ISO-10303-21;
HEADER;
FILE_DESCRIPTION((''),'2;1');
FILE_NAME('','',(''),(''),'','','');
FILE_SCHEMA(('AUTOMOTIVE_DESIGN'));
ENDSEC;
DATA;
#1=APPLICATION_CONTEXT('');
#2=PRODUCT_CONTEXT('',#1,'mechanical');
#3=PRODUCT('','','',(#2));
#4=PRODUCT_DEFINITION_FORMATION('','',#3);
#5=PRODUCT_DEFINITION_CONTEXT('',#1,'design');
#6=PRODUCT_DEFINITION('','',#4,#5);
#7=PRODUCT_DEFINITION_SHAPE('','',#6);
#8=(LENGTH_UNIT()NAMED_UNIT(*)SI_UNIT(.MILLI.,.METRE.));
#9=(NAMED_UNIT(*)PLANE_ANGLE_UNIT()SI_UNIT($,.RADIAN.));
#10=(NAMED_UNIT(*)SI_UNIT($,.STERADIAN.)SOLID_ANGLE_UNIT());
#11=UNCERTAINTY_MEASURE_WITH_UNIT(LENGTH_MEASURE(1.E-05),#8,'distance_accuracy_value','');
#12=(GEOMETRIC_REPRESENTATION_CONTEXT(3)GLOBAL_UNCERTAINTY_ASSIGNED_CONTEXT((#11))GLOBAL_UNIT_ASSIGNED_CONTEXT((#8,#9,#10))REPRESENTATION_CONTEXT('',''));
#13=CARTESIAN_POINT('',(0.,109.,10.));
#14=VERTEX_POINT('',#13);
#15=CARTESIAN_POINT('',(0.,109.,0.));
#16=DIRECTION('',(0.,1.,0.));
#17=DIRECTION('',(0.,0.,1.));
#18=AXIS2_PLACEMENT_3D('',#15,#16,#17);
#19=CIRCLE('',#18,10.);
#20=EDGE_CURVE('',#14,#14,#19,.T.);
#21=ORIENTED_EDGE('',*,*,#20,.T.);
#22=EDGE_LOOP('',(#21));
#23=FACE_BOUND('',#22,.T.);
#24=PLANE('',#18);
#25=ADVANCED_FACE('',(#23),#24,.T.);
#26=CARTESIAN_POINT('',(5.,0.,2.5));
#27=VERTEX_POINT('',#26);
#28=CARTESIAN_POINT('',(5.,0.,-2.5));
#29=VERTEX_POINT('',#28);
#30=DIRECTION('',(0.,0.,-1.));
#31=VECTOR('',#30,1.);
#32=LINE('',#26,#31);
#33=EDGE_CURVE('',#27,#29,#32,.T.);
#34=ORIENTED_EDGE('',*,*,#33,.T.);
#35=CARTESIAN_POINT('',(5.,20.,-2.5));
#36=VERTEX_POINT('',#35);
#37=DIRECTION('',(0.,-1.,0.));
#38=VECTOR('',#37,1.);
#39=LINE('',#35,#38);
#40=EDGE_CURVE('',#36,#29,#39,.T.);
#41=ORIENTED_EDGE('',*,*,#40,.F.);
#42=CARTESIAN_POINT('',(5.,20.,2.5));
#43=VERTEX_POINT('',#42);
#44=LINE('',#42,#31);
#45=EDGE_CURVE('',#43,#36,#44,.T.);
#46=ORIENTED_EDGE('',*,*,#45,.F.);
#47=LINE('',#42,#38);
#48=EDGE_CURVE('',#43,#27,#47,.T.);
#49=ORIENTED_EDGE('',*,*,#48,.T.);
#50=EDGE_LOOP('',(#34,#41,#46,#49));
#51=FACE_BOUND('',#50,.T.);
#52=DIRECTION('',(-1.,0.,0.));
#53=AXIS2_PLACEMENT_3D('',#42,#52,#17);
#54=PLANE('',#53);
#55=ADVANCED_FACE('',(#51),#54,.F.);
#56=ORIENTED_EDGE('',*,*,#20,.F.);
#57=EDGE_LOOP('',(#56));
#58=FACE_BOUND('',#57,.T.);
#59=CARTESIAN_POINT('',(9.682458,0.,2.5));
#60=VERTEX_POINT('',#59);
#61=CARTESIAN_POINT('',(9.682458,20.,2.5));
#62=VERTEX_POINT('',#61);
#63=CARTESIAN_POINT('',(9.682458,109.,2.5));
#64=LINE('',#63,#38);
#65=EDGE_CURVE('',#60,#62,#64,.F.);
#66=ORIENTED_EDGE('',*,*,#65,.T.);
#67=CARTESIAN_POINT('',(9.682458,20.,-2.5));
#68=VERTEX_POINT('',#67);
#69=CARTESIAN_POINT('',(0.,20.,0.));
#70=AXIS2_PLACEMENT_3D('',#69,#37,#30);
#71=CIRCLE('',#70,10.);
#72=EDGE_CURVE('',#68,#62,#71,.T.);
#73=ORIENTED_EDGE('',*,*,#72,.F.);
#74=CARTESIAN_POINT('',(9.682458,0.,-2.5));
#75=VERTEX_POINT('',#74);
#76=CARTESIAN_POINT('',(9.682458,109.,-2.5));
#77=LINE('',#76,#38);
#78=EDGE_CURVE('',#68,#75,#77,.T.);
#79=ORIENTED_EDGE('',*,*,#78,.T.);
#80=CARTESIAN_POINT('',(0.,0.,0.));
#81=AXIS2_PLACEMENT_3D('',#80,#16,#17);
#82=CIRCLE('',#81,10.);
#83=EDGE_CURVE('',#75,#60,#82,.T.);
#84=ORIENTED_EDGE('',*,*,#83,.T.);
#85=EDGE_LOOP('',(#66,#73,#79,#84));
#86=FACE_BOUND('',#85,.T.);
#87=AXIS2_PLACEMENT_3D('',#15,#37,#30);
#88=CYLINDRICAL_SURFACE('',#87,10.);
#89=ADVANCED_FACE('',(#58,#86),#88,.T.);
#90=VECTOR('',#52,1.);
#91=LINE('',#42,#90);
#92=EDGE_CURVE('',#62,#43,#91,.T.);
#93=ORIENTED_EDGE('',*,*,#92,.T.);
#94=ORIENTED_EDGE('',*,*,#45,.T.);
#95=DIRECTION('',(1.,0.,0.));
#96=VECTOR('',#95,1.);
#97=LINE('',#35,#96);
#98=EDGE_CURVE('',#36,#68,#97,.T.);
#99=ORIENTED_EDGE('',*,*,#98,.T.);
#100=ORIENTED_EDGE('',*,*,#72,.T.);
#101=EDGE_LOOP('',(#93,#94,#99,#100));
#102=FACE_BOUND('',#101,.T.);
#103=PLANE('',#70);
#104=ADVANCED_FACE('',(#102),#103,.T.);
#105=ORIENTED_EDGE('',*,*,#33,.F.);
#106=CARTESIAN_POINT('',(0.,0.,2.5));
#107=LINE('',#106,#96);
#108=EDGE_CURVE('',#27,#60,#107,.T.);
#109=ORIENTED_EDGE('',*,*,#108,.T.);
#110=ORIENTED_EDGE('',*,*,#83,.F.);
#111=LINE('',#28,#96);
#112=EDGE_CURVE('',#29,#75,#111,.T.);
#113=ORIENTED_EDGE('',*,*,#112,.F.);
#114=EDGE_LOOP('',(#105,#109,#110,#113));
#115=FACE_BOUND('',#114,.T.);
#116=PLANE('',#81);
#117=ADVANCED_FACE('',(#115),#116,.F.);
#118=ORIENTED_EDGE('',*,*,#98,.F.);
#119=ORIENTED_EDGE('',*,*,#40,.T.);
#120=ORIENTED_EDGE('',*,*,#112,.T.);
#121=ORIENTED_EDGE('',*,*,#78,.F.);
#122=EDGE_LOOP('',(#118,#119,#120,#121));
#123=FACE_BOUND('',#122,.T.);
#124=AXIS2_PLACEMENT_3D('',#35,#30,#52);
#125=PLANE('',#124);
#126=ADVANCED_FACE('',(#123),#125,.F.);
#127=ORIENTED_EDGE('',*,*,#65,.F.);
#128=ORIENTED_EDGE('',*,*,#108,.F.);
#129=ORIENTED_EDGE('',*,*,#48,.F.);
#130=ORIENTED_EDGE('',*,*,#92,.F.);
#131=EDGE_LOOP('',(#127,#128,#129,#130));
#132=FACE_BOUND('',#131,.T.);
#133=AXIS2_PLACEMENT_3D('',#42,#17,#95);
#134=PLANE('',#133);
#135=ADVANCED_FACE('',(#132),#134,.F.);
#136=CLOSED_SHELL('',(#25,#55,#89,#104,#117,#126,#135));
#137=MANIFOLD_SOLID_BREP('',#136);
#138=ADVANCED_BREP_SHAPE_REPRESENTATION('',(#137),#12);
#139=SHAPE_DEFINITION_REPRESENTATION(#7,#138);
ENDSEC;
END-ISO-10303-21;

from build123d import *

# Parameters (mm, degrees)
SKETCH1_R           = 10
BOSS_EXTRUDE2_DEPTH = 109
SKETCH3_W           = 10
SKETCH3_H           = 5
CUT_EXTRUDE1_DEPTH  = 20


with BuildPart() as part:
    # Sketch1 → Boss-Extrude2 (new body)
    with BuildSketch(Plane(origin=(0, 0, 0), x_dir=(1, 0, 0), z_dir=(0, 1, 0))):
        Circle(SKETCH1_R)
    extrude(amount=BOSS_EXTRUDE2_DEPTH)

    # Sketch3 → Cut-Extrude1 (cut)
    with BuildSketch(Plane.XZ):
        with Locations((10, 0)):
            Rectangle(SKETCH3_W, SKETCH3_H)
    extrude(amount=-CUT_EXTRUDE1_DEPTH, mode=Mode.SUBTRACT)


solid = part.part
